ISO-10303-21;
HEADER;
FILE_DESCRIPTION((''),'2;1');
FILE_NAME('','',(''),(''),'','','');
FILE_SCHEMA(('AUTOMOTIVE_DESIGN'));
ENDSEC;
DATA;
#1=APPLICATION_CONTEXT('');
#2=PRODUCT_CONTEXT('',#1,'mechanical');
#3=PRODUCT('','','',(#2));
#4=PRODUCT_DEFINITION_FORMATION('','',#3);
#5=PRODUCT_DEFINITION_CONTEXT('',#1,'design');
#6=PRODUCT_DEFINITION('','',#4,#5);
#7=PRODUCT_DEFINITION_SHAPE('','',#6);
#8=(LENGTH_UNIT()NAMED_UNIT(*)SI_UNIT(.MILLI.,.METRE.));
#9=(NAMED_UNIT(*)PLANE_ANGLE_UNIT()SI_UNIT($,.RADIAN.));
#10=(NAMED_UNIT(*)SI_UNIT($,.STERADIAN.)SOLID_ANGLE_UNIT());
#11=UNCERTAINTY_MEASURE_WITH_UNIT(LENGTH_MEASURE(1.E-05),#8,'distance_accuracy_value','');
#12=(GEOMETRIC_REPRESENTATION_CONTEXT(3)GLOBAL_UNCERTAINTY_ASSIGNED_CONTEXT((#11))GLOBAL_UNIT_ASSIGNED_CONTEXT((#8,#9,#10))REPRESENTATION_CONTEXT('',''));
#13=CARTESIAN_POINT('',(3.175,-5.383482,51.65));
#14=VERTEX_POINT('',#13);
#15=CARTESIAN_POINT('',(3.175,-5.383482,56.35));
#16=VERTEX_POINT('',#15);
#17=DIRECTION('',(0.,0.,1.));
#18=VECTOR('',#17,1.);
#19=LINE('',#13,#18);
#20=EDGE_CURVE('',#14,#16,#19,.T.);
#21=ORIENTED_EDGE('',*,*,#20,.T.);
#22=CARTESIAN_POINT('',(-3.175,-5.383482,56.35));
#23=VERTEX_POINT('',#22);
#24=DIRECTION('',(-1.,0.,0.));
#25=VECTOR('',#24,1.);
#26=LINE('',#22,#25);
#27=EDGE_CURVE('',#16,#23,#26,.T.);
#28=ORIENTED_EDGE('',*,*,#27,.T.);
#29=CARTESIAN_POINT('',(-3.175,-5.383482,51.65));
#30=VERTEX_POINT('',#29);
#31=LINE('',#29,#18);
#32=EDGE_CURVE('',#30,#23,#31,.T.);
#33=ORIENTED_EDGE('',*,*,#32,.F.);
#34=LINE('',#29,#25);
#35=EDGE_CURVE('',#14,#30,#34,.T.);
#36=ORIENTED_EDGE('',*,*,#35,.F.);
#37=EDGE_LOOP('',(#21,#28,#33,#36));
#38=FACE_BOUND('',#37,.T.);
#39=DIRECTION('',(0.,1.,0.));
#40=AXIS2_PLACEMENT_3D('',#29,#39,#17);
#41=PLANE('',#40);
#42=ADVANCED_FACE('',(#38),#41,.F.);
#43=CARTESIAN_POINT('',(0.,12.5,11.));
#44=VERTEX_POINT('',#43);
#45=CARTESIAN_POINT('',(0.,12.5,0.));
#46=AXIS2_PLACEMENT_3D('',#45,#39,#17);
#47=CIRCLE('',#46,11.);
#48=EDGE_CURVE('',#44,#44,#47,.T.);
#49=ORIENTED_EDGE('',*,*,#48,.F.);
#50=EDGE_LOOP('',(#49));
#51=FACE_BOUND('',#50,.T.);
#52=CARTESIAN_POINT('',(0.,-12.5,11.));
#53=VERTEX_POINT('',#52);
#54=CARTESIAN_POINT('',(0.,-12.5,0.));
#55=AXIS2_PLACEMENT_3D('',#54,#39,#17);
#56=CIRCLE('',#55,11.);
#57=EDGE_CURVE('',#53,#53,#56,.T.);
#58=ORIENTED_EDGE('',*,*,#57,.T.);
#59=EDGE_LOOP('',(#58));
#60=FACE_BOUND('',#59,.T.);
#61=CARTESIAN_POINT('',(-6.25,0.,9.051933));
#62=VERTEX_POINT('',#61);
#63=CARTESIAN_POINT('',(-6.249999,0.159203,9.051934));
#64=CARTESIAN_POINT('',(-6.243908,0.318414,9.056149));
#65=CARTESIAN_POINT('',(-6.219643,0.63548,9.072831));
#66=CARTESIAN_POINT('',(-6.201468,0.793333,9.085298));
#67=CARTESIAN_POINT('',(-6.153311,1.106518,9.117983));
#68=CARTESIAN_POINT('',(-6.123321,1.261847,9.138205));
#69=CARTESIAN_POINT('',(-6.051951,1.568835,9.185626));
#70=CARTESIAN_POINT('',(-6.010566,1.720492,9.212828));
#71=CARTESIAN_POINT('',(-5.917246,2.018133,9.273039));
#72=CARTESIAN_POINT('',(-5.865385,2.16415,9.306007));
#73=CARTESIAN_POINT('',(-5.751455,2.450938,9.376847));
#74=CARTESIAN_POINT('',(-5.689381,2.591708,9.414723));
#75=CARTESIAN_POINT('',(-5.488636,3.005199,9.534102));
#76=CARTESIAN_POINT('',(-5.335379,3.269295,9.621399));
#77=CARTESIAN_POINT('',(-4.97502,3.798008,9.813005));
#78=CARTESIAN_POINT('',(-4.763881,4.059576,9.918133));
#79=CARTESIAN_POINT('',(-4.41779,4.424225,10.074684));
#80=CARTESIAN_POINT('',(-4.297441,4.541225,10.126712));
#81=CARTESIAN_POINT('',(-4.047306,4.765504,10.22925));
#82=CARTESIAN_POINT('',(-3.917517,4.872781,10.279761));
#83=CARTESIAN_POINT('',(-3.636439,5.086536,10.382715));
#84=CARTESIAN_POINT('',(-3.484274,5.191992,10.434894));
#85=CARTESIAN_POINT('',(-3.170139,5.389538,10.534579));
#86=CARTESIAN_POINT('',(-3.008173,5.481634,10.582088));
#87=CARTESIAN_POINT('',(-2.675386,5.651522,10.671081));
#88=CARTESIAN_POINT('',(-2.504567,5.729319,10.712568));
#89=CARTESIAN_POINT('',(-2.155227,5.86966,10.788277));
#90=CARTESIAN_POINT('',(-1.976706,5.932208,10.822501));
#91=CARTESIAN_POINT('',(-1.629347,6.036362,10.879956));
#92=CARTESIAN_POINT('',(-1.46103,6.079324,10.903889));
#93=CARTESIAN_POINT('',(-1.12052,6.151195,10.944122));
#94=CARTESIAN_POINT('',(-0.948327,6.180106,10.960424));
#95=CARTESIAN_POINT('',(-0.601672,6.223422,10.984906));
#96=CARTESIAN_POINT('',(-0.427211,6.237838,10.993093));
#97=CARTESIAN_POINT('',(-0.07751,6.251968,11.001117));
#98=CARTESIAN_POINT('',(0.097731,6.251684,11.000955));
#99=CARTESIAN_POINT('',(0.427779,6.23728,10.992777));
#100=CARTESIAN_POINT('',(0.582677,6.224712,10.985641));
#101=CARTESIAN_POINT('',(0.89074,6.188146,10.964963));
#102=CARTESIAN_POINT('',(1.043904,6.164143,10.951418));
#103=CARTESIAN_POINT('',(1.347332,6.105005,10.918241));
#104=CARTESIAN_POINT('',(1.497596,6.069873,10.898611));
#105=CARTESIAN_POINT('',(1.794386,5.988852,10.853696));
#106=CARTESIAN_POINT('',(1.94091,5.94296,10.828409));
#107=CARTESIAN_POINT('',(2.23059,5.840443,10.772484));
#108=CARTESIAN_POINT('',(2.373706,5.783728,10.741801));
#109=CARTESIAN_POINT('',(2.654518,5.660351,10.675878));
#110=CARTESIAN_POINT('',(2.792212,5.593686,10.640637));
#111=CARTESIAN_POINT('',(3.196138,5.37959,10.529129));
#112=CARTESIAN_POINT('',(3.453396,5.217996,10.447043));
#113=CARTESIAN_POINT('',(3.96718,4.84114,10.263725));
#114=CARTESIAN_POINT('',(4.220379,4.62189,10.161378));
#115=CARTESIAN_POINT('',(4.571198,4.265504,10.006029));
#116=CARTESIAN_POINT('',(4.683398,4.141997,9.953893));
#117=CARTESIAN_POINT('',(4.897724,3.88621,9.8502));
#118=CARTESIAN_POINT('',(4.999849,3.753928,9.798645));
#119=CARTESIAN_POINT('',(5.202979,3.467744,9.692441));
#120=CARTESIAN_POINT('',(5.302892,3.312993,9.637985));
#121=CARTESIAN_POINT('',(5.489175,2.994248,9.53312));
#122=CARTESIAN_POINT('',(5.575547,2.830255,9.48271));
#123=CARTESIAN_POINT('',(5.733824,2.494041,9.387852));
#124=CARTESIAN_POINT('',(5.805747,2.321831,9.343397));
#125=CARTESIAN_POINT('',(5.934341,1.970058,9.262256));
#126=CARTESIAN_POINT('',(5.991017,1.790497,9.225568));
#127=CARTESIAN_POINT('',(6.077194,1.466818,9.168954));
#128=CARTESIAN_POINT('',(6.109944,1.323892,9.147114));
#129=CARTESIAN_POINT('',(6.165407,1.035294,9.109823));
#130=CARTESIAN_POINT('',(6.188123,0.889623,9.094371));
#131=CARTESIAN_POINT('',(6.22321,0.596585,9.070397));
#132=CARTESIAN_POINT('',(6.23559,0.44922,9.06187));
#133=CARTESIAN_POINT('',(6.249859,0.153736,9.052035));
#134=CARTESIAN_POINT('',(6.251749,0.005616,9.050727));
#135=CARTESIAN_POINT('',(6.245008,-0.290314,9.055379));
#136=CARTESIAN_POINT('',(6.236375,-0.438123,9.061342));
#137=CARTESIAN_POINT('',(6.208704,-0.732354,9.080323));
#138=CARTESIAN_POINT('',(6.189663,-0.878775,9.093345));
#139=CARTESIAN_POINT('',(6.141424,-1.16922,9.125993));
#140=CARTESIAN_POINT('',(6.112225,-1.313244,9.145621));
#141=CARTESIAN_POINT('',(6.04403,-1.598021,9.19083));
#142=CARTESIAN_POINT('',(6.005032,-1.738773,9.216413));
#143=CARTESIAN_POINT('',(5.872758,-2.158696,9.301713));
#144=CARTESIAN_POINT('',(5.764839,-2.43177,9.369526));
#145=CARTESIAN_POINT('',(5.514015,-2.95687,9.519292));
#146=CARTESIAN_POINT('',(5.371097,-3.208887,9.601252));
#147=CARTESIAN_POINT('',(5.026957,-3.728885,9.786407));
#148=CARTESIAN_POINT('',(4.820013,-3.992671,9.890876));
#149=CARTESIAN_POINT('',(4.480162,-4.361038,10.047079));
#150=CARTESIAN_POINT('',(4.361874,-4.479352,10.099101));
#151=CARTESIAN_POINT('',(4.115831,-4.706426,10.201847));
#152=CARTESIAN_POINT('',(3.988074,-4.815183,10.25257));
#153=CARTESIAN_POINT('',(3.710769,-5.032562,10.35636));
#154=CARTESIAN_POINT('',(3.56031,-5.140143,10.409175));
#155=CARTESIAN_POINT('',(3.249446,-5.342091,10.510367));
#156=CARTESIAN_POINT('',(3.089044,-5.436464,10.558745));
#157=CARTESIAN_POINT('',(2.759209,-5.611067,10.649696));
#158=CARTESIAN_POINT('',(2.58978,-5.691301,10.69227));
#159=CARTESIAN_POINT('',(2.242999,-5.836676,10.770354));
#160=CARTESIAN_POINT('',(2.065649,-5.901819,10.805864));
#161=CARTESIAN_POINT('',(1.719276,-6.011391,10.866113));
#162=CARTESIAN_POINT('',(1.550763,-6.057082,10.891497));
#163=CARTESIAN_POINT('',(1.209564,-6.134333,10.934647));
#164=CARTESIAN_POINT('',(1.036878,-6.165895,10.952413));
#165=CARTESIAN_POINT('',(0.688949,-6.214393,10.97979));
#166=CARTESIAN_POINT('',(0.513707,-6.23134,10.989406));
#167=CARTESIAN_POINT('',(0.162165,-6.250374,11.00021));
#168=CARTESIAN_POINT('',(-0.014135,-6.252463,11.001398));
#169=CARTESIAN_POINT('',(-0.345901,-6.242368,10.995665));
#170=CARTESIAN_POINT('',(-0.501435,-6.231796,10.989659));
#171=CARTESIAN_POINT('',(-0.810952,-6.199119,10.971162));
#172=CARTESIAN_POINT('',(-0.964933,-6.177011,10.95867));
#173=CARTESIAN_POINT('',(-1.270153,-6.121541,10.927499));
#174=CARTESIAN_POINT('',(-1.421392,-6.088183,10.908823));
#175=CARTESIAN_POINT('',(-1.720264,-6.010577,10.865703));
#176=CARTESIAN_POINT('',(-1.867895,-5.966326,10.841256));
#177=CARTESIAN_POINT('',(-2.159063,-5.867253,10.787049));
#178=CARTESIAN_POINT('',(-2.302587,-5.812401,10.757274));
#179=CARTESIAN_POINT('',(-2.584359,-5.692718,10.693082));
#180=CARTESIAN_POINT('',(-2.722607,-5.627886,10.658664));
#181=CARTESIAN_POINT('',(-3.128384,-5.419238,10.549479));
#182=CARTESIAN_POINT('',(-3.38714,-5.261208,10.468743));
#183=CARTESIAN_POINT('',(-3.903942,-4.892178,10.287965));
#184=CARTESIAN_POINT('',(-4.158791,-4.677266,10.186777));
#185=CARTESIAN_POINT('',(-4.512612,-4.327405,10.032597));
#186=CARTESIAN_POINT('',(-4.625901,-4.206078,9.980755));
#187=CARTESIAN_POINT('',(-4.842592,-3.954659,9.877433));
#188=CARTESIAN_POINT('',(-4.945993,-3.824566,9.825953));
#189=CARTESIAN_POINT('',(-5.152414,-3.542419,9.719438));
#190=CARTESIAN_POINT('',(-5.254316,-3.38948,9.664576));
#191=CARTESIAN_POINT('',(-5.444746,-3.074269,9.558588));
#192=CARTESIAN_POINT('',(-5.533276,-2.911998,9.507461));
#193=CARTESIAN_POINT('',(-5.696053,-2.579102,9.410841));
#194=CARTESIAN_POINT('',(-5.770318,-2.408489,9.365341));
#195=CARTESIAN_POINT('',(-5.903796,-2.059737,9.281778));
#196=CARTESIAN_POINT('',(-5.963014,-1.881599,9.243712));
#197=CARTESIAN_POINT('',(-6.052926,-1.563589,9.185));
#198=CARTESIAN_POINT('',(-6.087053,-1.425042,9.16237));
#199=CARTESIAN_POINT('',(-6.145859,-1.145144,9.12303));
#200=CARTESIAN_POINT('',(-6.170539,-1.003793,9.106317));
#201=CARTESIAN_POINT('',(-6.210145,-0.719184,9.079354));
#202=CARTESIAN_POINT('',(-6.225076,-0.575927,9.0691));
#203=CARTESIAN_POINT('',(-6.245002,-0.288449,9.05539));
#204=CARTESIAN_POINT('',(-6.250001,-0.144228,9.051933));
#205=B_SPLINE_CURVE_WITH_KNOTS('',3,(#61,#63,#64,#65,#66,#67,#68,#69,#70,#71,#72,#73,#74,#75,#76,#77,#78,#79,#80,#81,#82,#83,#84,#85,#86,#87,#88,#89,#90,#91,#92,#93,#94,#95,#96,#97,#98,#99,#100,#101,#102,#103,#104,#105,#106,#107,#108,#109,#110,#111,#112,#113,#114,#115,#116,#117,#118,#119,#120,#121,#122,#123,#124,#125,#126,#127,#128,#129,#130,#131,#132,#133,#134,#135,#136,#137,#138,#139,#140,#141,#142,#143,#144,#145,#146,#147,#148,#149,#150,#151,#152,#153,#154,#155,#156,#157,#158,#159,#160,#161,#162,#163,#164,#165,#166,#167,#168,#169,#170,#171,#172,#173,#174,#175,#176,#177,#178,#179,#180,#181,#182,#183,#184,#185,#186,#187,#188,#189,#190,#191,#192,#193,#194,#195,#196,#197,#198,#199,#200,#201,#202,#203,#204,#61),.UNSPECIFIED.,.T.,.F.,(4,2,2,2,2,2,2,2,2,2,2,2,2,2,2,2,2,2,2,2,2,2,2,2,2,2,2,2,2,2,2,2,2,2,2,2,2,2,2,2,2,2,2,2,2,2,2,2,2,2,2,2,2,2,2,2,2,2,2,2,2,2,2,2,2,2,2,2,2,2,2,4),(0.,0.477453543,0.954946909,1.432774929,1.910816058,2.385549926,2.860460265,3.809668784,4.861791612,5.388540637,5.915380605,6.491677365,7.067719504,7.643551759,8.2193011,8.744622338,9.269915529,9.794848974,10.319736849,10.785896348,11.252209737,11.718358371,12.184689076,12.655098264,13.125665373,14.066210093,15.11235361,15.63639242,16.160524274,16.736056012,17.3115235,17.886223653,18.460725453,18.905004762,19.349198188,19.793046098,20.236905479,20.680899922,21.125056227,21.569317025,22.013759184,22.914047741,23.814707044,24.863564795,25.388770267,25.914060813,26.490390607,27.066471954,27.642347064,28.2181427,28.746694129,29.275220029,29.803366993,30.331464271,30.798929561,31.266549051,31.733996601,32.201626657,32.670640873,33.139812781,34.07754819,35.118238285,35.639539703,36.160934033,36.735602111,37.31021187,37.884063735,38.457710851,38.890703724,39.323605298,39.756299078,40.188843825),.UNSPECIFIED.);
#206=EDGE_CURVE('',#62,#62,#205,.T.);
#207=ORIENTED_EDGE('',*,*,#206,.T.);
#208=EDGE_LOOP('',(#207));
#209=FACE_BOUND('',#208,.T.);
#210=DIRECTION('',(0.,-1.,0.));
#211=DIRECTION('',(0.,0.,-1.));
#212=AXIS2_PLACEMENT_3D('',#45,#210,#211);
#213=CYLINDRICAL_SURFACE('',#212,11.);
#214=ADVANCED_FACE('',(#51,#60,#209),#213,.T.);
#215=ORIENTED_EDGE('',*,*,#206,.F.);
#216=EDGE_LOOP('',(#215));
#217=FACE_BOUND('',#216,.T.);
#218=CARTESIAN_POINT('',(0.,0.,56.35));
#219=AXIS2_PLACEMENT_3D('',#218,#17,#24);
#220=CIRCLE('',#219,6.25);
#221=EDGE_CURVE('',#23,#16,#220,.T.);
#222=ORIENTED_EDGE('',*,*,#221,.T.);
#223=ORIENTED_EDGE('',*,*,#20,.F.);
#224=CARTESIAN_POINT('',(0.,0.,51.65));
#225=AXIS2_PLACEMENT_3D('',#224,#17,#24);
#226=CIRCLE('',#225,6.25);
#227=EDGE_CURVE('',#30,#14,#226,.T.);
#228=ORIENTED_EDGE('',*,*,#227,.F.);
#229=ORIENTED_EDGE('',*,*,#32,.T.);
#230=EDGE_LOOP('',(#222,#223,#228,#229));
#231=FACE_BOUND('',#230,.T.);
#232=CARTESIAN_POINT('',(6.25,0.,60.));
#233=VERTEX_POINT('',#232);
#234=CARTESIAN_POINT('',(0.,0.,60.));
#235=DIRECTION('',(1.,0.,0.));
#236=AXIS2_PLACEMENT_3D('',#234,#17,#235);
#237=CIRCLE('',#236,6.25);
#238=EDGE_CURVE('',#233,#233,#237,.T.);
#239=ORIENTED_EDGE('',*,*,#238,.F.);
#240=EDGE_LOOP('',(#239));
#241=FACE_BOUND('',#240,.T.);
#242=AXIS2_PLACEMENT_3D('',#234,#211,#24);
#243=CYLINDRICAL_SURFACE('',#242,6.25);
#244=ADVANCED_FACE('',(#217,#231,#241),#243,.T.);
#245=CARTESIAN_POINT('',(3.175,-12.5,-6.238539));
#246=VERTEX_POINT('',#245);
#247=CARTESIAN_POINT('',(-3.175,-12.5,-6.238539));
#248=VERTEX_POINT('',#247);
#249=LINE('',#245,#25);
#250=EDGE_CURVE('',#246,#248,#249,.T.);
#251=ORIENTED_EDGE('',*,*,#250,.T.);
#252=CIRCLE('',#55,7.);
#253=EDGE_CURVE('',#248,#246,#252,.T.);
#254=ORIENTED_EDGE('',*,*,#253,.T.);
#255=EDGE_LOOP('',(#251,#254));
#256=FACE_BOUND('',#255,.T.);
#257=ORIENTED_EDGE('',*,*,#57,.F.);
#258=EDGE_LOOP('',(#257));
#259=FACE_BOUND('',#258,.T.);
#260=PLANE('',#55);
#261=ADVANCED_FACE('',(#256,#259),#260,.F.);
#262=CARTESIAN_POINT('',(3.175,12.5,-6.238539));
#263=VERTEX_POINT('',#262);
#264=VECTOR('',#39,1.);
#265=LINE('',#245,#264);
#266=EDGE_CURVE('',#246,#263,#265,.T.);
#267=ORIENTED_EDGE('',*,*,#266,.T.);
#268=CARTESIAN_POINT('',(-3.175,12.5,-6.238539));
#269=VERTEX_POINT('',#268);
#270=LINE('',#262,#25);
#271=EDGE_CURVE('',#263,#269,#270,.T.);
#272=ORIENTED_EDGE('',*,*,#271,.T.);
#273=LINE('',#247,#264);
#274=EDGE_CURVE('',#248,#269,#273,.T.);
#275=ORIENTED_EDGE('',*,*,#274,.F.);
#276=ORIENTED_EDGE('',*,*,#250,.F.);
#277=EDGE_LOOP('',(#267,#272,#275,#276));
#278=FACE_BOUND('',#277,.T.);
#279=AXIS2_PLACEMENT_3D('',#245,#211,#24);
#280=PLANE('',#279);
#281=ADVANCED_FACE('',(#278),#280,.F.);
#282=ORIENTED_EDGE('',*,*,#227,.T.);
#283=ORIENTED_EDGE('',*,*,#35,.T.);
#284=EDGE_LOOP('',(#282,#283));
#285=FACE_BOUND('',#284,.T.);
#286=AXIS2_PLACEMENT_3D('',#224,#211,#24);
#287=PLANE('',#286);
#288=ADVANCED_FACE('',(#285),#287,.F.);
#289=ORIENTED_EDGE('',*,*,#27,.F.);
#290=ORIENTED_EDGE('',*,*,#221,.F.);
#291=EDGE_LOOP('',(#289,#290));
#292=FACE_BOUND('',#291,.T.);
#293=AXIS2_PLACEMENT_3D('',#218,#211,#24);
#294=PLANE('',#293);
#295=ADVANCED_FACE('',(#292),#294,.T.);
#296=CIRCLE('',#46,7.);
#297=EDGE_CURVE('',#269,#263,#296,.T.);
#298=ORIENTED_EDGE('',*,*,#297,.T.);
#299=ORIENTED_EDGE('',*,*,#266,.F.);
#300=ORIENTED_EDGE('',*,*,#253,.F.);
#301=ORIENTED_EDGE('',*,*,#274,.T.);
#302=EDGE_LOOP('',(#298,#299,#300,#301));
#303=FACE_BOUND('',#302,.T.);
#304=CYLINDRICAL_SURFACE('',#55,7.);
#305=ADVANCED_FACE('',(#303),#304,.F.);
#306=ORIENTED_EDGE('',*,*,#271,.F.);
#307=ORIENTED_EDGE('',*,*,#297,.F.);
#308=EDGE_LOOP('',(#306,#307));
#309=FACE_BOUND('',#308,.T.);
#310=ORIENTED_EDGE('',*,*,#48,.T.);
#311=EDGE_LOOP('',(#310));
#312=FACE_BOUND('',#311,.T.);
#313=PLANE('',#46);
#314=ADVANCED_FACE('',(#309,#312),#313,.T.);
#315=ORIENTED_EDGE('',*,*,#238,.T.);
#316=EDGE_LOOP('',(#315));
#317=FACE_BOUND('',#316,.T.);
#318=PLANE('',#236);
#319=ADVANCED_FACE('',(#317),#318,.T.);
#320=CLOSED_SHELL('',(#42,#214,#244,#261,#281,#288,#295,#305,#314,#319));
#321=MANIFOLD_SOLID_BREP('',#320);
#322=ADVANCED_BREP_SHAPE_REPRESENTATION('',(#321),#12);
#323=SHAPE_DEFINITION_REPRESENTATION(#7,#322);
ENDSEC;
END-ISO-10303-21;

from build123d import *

# Parameters (mm, degrees)
SKETCH2_R               = 6.25
BOSS_EXTRUDE3_DEPTH     = 60
SKETCH1_R               = 11
BOSS_EXTRUDE4_DEPTH     = 12.5
CUT_EXTRUDE1_DEPTH      = 63.267567936
CUT_EXTRUDE1_DEPTH_BACK = 63.267567936
CUT_EXTRUDE2_DEPTH      = 2.35


with BuildPart() as part:
    # Sketch2 → Boss-Extrude3 (new body)
    with BuildSketch(Plane.XY):
        Circle(SKETCH2_R)
    extrude(amount=BOSS_EXTRUDE3_DEPTH)

    # Sketch1 → Boss-Extrude4 (add, symmetric)
    with BuildSketch(Plane(origin=(0, 0, 0), x_dir=(1, 0, 0), z_dir=(0, 1, 0))):
        Circle(SKETCH1_R)
    extrude(amount=BOSS_EXTRUDE4_DEPTH, both=True)

    # Sketch1<4> → Cut-Extrude1 (cut, two sides: drawn at the far end of the back side and taken through both)
    with BuildSketch(Plane(origin=(0, 0, 0), x_dir=(1, 0, 0), z_dir=(0, 1, 0)).offset(-CUT_EXTRUDE1_DEPTH_BACK)):
        with BuildLine():
            Line((3.175, 6.238539493), (-3.175, 6.238539493))
            ThreePointArc((-3.175, 6.238539493), (0, -7), (3.175, 6.238539493))
        make_face()
    extrude(amount=CUT_EXTRUDE1_DEPTH + CUT_EXTRUDE1_DEPTH_BACK, mode=Mode.SUBTRACT)

    # Sketch3 → Cut-Extrude2 (cut, symmetric)
    with BuildSketch(Plane.XY.offset(54)):
        with BuildLine():
            Line((-3.175, -5.38348168), (3.175, -5.38348168))
            ThreePointArc((3.175, -5.38348168), (0, -6.25), (-3.175, -5.38348168))
        make_face()
    extrude(amount=CUT_EXTRUDE2_DEPTH, both=True, mode=Mode.SUBTRACT)


solid = part.part
